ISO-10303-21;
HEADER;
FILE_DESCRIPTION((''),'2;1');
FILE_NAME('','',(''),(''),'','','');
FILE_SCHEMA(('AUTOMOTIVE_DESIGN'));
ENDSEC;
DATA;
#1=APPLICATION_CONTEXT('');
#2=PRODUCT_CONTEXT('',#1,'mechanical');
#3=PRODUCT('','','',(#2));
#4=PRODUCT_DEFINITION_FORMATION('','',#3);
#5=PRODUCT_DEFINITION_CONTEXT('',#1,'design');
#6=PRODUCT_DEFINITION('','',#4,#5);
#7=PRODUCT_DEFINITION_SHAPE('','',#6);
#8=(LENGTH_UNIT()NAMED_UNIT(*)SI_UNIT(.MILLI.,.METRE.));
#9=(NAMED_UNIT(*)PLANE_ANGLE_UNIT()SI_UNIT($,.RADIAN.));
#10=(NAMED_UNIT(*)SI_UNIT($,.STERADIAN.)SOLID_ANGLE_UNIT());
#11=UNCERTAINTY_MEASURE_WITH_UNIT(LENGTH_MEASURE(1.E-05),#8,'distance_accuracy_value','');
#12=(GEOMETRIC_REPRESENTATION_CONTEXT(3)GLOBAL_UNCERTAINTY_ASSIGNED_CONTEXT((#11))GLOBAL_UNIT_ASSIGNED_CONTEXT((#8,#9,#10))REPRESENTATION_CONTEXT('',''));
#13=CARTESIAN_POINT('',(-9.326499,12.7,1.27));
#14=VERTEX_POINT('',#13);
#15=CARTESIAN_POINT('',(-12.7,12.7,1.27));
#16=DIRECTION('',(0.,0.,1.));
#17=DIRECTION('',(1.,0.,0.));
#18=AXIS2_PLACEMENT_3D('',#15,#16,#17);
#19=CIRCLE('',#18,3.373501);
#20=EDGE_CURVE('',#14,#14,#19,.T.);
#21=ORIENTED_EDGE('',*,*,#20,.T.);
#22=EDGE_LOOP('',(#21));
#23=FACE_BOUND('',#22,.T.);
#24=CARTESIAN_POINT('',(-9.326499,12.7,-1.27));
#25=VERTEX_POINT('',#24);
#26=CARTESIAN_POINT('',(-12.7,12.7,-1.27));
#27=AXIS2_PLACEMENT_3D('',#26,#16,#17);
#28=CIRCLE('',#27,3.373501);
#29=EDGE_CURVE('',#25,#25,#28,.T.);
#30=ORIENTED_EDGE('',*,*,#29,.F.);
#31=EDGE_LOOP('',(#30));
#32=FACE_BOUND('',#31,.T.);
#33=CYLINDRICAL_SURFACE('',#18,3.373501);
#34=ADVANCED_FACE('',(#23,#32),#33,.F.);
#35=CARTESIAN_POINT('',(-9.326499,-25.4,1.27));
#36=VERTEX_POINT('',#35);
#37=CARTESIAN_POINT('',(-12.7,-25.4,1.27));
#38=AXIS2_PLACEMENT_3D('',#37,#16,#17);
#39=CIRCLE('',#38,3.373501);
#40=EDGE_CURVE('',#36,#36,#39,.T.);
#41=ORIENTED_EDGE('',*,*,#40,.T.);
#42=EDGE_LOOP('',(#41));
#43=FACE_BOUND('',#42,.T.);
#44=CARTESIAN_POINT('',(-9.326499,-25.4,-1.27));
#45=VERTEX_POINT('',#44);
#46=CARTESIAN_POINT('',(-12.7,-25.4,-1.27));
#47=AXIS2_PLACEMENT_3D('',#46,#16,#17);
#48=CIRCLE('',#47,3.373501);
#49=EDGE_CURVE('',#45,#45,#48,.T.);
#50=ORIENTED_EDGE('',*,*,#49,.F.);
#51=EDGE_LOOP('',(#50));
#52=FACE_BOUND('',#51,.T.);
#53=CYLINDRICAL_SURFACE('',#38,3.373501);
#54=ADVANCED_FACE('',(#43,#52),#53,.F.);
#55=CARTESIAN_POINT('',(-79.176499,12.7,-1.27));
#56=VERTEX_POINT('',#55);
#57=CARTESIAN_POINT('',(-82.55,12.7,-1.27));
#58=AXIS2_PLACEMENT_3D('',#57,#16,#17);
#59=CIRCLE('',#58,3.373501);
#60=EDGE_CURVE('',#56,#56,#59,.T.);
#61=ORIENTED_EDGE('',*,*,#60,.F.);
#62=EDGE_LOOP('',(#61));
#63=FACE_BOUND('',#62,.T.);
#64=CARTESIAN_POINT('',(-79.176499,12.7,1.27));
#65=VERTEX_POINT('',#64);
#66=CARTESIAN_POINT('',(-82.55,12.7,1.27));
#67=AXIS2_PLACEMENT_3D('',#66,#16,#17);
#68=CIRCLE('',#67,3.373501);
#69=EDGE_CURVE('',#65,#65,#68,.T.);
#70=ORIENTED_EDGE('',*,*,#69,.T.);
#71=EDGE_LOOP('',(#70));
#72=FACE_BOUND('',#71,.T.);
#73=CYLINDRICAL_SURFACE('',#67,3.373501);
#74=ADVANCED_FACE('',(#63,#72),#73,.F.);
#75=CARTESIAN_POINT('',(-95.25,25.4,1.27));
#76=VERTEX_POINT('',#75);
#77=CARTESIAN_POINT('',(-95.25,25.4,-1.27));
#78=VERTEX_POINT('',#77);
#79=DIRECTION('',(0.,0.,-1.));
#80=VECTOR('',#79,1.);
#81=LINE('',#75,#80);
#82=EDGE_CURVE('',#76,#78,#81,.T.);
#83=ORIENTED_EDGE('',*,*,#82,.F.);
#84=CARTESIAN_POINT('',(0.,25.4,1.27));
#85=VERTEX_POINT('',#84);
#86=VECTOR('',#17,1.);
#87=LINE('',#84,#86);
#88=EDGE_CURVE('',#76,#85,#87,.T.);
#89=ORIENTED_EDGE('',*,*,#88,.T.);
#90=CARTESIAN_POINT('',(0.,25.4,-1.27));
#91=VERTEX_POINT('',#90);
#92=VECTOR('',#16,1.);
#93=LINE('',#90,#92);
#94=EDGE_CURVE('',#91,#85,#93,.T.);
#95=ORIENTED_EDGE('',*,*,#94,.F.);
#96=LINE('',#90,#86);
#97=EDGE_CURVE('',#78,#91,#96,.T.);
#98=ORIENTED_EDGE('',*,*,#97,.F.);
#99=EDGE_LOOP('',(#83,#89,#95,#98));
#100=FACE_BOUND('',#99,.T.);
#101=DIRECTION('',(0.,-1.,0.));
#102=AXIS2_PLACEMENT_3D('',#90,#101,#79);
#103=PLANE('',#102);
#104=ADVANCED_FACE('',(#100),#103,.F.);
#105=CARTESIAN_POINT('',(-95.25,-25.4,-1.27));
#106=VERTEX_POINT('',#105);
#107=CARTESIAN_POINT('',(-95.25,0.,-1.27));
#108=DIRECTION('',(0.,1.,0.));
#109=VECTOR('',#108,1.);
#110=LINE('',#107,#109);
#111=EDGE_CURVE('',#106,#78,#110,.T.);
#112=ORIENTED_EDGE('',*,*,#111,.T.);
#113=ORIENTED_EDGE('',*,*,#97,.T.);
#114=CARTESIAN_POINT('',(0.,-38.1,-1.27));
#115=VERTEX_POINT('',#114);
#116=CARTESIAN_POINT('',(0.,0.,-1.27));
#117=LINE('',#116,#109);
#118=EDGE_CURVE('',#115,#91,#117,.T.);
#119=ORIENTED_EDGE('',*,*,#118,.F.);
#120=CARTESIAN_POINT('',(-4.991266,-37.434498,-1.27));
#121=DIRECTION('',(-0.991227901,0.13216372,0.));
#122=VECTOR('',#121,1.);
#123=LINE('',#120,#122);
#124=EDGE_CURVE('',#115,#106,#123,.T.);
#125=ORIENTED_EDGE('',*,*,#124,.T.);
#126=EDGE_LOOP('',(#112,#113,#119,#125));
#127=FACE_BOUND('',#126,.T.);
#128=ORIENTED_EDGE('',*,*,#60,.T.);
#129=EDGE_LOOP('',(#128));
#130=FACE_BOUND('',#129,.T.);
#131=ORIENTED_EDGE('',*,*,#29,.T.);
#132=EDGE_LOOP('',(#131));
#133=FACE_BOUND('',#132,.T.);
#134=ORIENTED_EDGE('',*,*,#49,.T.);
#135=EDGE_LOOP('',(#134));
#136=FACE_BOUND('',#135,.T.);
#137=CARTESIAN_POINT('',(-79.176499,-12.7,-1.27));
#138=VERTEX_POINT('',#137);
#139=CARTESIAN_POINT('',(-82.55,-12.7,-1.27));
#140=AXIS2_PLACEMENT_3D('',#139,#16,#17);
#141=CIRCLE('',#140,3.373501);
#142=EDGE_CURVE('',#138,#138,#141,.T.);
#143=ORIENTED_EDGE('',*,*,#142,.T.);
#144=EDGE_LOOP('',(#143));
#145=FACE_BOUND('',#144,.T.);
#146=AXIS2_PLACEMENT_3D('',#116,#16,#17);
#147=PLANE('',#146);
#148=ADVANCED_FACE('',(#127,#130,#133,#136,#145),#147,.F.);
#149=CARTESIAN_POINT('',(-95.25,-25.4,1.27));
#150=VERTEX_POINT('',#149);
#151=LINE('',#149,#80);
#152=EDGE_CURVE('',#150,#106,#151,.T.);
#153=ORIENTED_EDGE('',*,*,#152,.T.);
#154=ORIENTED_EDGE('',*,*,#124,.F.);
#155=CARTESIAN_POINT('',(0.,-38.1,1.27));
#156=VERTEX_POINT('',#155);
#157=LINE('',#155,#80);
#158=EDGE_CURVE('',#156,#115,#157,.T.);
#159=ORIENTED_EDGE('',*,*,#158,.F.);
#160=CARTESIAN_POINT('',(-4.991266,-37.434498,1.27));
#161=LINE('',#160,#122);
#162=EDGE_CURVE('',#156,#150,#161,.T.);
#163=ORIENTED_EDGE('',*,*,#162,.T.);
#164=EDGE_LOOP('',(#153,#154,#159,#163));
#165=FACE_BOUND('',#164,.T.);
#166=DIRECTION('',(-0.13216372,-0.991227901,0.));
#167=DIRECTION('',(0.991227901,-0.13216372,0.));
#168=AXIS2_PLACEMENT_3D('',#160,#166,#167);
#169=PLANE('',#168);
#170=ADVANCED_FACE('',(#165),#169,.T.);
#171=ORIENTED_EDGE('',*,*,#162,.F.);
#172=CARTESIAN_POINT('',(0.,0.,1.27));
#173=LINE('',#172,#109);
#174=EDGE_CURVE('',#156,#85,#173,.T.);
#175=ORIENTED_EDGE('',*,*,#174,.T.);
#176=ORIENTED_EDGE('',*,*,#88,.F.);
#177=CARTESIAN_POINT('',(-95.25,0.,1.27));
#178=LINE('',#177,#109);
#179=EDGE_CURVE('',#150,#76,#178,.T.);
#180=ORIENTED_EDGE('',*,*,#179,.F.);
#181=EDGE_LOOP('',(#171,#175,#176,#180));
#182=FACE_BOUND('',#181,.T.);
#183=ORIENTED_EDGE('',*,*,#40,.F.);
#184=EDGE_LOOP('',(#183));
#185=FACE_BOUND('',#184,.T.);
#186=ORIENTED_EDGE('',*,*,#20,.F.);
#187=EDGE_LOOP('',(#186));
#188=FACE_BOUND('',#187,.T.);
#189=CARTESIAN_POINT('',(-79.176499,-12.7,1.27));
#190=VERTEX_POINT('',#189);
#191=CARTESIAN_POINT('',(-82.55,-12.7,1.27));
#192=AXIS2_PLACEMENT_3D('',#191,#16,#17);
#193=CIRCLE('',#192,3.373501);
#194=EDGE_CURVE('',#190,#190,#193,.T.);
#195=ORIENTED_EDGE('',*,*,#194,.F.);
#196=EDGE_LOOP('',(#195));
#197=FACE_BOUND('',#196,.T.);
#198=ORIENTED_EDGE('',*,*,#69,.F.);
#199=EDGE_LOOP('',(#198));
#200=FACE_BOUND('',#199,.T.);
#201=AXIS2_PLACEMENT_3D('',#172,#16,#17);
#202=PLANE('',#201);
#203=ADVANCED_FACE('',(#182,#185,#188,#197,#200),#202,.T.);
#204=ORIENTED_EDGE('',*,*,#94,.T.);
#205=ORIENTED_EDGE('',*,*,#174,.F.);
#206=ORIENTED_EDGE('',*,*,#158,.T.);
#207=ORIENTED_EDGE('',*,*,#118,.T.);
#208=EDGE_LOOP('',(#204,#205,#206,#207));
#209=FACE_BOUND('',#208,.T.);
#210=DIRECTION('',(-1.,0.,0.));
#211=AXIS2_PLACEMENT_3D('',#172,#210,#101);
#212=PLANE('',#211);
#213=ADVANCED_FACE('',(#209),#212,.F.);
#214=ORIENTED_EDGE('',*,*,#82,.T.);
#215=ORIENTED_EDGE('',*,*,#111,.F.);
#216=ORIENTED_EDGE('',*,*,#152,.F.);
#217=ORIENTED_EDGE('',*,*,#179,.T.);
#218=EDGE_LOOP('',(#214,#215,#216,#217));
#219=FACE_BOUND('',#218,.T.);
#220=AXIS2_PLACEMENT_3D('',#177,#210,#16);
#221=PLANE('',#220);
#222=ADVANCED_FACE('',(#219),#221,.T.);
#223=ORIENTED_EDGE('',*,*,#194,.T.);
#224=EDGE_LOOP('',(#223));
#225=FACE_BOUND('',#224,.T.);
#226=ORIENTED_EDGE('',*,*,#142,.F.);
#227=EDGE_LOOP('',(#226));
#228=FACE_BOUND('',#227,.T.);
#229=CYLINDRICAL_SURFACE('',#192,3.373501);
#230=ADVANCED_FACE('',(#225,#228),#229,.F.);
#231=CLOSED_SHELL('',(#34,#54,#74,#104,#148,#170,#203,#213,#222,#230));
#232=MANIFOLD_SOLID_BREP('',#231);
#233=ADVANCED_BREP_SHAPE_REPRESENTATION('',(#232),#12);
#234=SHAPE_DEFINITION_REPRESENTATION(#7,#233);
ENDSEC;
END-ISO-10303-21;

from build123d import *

# Parameters (mm, degrees)
BOSS_EXTRUDE3_DEPTH              = 1.27
SKETCH4_W                        = 107.901987654
SKETCH4_H                        = 12.7
CUT_EXTRUDE1_DEPTH               = 1
CUT_EXTRUDE1_DEPTH_BACK          = 3.54
F_17_64_0_26563_DIAMETER_HOLE1_D = 6.747002


with BuildPart() as part:
    # Sketch2 → Boss-Extrude3 (new body, symmetric)
    with BuildSketch(Plane.XY):
        Polygon((-95.25, -25.4), (-95.25, 25.4), (0, 38.1), (0, -38.1), align=None)
    extrude(amount=BOSS_EXTRUDE3_DEPTH, both=True)

    # Sketch4 → Cut-Extrude1 (cut, two sides)
    with BuildSketch(Plane.XY.offset(1.27)) as cut_extrude1_sk:
        with Locations((-53.950993827, 31.75)):
            Rectangle(SKETCH4_W, SKETCH4_H)
    extrude(amount=CUT_EXTRUDE1_DEPTH, mode=Mode.SUBTRACT)
    extrude(cut_extrude1_sk.sketch, amount=-CUT_EXTRUDE1_DEPTH_BACK, mode=Mode.SUBTRACT)

    # 17/64 (0.26563) Diameter Hole1 (through all)
    with Locations(Plane.XY.offset(1.27)):
        with Locations((-82.55, 12.7), (-82.55, -12.7), (-12.7, -25.4), (-12.7, 12.7)):
            Hole(F_17_64_0_26563_DIAMETER_HOLE1_D / 2)


solid = part.part
